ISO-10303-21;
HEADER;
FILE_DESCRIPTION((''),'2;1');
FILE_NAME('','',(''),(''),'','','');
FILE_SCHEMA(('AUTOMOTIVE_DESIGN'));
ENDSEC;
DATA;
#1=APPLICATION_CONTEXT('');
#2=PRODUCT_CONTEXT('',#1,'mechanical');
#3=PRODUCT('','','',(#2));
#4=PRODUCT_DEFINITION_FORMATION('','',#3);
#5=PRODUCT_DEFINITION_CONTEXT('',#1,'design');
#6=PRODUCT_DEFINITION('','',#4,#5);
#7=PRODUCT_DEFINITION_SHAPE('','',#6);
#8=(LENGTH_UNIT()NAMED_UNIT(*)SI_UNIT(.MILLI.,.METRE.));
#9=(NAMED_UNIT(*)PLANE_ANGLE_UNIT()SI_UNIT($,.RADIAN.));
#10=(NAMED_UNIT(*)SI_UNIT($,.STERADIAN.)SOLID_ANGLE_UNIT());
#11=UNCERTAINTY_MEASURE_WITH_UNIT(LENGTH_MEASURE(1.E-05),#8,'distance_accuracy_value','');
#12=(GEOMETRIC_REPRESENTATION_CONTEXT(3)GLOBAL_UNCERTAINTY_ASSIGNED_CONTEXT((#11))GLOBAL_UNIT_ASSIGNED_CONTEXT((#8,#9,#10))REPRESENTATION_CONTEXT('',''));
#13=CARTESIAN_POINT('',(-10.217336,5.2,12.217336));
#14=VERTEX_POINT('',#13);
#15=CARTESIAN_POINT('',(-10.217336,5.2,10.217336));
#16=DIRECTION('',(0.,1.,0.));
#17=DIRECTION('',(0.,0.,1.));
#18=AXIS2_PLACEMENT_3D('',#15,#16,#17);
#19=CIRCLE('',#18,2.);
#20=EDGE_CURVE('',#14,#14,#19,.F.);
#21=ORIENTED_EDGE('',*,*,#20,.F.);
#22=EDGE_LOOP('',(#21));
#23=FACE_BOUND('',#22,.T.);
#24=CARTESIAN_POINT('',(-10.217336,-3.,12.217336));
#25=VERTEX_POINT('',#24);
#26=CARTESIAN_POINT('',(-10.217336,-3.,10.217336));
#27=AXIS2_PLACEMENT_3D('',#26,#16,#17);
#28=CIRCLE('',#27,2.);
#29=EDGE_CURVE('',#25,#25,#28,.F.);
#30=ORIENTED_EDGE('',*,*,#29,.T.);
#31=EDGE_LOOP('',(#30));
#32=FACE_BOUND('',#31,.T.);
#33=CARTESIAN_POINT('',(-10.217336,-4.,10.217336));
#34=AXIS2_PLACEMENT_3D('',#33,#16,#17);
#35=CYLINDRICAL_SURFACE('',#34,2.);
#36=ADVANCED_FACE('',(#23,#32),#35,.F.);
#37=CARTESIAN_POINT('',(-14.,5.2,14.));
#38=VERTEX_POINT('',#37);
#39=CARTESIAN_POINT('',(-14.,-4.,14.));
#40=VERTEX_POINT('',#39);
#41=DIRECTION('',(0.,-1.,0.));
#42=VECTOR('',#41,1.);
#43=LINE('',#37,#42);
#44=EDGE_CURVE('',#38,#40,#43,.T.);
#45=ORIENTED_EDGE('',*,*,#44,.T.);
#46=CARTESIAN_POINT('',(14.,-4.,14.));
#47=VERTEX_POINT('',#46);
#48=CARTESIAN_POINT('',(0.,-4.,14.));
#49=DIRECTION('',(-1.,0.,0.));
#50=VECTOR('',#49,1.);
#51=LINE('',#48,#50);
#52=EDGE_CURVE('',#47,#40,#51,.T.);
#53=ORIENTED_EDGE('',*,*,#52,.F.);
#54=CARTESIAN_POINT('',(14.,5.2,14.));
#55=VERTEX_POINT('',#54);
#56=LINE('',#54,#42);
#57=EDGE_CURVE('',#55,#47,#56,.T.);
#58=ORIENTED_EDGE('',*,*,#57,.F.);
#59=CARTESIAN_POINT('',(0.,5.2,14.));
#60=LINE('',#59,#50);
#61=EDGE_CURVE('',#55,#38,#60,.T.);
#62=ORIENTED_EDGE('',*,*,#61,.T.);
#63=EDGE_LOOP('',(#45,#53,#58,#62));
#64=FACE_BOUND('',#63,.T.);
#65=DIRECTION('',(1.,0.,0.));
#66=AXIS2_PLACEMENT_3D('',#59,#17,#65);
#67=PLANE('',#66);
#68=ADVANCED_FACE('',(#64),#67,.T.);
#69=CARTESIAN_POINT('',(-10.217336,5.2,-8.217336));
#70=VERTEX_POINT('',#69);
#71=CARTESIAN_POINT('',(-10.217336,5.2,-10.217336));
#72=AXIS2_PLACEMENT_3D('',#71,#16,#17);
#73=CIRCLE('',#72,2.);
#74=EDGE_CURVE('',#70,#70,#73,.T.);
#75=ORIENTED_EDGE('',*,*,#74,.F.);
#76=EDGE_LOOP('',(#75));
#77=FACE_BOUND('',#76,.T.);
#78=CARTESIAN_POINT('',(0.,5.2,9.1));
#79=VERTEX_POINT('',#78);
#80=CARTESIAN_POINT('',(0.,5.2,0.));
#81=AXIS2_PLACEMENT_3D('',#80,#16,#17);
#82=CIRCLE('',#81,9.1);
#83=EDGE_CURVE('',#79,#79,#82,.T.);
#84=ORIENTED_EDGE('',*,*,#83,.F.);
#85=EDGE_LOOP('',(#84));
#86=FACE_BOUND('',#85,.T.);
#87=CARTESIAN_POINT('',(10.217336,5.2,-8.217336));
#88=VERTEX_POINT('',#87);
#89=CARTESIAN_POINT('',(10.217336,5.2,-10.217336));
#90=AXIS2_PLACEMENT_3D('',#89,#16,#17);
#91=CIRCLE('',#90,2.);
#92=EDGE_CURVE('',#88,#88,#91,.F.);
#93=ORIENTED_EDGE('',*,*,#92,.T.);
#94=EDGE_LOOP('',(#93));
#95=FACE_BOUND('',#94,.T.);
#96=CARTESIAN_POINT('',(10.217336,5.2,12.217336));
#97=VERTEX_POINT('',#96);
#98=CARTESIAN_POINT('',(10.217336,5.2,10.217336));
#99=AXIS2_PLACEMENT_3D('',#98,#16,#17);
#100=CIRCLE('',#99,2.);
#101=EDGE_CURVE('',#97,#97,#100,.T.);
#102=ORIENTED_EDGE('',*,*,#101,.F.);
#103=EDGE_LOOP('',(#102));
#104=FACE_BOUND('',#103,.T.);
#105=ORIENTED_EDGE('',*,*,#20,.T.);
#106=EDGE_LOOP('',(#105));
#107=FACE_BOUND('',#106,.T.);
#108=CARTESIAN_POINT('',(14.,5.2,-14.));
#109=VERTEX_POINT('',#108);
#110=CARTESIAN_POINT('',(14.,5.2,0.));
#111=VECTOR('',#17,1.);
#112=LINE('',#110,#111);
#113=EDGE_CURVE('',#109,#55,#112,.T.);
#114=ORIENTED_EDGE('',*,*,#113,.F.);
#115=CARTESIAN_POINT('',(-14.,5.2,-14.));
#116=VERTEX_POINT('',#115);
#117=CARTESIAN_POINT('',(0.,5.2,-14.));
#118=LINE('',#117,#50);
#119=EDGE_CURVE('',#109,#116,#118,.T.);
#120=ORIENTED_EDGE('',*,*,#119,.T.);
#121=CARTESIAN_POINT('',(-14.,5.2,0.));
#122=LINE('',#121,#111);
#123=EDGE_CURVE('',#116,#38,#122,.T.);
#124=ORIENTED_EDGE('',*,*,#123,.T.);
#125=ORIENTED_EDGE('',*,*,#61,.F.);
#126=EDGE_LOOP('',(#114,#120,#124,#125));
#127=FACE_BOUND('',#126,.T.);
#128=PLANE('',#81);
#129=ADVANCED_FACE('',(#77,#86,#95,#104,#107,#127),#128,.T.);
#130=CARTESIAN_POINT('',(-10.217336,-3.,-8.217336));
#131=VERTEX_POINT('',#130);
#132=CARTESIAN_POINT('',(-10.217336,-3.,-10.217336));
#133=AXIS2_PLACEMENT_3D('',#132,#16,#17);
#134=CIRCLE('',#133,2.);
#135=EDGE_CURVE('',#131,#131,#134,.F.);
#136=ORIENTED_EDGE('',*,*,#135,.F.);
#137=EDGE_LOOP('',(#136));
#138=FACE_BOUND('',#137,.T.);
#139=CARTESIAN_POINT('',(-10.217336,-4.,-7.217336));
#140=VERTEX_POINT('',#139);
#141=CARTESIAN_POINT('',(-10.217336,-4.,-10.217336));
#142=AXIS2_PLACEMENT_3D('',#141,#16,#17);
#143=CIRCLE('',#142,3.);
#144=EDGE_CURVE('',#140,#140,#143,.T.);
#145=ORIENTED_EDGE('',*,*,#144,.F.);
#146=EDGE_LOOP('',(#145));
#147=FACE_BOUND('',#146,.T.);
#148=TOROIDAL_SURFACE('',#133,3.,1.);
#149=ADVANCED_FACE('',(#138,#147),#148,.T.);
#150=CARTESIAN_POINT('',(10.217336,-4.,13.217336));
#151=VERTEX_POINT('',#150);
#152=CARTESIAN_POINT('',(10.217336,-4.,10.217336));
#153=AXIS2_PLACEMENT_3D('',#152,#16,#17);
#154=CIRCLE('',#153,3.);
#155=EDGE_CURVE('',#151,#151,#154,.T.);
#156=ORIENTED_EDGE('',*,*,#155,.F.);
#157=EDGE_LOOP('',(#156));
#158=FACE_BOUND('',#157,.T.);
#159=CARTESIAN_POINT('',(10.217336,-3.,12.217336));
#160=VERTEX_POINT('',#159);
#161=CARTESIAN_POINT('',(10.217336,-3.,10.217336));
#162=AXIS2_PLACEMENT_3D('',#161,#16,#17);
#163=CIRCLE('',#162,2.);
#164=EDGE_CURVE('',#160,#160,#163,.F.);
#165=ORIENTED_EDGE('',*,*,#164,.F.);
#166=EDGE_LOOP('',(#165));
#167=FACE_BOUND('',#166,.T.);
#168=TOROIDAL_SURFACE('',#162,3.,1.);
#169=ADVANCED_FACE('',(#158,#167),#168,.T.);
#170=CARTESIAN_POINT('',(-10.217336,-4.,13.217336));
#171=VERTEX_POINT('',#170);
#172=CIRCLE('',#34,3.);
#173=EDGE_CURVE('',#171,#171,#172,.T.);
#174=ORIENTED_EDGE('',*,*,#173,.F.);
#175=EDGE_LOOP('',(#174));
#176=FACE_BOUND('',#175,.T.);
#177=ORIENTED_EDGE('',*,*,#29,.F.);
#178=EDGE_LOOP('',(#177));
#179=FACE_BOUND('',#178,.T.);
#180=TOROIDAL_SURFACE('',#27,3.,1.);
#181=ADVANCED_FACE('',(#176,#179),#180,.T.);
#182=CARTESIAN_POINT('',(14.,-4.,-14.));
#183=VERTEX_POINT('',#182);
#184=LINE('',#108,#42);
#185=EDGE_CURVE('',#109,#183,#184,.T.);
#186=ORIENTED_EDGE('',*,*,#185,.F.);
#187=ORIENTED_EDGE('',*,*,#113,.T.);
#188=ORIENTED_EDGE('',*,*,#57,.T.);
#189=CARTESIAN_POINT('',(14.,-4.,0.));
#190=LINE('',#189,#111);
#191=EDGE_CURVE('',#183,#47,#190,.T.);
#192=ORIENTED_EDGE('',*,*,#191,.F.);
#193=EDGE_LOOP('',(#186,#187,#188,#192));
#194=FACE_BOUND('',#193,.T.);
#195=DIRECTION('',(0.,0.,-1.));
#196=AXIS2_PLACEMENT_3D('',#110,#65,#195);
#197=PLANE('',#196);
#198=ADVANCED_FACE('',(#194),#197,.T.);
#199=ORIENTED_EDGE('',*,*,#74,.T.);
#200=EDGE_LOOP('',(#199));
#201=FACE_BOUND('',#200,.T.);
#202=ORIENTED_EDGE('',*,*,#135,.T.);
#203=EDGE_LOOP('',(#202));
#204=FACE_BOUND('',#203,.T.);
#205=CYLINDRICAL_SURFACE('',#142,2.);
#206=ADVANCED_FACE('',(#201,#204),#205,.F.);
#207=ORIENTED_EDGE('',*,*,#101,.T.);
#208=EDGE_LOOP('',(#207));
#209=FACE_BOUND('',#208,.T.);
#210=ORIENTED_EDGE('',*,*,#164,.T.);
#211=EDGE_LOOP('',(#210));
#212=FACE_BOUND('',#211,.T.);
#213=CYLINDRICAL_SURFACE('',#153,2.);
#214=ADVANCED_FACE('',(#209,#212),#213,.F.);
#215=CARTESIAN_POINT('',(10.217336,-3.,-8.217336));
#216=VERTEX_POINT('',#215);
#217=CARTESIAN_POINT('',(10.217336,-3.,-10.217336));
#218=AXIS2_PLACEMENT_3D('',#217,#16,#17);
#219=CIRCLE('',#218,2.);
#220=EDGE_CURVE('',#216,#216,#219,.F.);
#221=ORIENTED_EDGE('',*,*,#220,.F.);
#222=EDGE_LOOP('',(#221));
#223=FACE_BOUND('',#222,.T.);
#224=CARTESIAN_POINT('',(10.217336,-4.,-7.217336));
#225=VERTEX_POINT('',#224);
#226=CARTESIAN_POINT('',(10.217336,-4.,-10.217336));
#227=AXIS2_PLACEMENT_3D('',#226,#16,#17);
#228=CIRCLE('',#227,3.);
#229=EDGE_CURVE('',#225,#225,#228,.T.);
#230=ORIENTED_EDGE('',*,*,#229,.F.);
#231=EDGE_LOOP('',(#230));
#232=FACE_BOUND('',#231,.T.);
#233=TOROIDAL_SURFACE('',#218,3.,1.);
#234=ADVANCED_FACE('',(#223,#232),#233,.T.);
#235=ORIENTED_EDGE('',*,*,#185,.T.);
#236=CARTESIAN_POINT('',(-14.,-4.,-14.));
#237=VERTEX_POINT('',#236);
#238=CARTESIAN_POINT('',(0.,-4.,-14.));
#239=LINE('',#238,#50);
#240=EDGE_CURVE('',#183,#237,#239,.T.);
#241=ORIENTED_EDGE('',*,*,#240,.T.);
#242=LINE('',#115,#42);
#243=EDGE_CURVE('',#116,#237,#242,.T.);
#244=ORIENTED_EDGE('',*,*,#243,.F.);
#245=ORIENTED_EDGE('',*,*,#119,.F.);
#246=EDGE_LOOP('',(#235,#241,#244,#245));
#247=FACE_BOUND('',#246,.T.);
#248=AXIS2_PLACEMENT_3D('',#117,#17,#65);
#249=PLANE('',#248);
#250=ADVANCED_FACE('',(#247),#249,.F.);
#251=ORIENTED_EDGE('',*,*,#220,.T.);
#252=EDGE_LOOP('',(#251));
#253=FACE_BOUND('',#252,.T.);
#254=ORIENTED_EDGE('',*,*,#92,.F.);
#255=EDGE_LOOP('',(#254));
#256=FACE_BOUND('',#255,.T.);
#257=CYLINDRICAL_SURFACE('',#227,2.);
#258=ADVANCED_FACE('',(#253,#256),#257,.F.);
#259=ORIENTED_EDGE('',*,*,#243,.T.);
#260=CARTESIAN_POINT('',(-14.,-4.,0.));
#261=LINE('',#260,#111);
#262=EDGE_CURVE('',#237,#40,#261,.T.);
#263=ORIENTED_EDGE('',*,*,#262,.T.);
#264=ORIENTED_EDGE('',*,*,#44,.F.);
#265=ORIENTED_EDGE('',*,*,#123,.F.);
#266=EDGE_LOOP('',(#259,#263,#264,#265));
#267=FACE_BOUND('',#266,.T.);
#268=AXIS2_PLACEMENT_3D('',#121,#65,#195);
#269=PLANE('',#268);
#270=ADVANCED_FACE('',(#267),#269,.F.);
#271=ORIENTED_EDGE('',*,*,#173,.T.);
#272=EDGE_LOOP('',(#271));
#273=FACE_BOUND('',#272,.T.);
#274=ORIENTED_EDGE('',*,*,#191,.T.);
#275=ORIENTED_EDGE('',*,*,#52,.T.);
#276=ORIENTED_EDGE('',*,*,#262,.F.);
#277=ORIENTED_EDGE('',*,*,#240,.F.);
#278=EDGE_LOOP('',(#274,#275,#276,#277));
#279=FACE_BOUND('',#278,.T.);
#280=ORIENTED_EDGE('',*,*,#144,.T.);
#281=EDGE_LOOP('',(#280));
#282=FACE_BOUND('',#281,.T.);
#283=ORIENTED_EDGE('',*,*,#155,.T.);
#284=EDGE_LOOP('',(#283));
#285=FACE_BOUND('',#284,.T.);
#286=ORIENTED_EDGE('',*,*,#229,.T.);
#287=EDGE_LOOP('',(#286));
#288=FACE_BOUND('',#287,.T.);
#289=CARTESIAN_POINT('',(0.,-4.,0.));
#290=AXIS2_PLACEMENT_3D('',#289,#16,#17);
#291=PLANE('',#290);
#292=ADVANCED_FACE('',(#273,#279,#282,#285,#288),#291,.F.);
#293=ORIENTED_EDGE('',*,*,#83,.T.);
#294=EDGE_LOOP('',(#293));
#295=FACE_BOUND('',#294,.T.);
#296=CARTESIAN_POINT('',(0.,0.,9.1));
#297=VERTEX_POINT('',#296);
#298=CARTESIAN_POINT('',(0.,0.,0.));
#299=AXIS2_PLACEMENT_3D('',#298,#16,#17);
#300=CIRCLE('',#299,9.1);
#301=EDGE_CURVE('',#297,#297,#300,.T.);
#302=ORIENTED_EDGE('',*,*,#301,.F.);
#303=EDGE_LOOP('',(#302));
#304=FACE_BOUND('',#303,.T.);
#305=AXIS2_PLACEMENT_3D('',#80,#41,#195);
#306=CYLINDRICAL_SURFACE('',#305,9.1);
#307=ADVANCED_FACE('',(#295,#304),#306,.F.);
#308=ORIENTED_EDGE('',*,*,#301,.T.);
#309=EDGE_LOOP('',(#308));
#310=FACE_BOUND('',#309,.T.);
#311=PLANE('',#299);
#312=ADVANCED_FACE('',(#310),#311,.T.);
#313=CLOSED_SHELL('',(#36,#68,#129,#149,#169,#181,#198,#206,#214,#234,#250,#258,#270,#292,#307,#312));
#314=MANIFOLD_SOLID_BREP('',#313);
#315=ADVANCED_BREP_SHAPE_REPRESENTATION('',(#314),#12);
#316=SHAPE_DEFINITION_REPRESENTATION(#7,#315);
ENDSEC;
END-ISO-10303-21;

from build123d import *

# Parameters (mm, degrees)
SKETCH2_W           = 28
SKETCH2_H           = 28
SKETCH2_R           = 9.1
BOSS_EXTRUDE1_DEPTH = 5.2
SKETCH2_4_W         = 28
SKETCH2_4_H         = 28
BOSS_EXTRUDE2_DEPTH = 4
SKETCH3_R           = 2
CUT_EXTRUDE1_DEPTH  = 22.832086478
FILLET1_R           = 1


with BuildPart() as part:
    # Sketch2 → Boss-Extrude1 (new body)
    with BuildSketch(Plane(origin=(0, 0, 0), x_dir=(1, 0, 0), z_dir=(0, 1, 0))):
        Rectangle(SKETCH2_W, SKETCH2_H)
        Circle(SKETCH2_R, mode=Mode.SUBTRACT)
    extrude(amount=BOSS_EXTRUDE1_DEPTH)

    # Sketch2<4> → Boss-Extrude2 (add)
    with BuildSketch(Plane(origin=(0, 0, 0), x_dir=(1, 0, 0), z_dir=(0, 1, 0))):
        Rectangle(SKETCH2_4_W, SKETCH2_4_H)
    extrude(amount=-BOSS_EXTRUDE2_DEPTH)

    # Sketch3 → Cut-Extrude1 (cut, through all)
    with BuildSketch(Plane(origin=(0, 5.2, 0), x_dir=(1, 0, 0), z_dir=(0, 1, 0))):
        with Locations((-10.217335854, 10.217335854)):
            Circle(SKETCH3_R)
        with Locations((-10.217335854, -10.217335854)):
            Circle(SKETCH3_R)
        with Locations((10.217335854, -10.217335854)):
            Circle(SKETCH3_R)
        with Locations((10.217335854, 10.217335854)):
            Circle(SKETCH3_R)
    extrude(amount=-CUT_EXTRUDE1_DEPTH, mode=Mode.SUBTRACT)

    # Fillet1
    fillet1_edges = [part.edges().sort_by_distance(p)[0] for p in [
        (8.217335854, -4, 10.217335854),
        (8.217335854, -4, -10.217335854),
        (-12.217335854, -4, 10.217335854),
        (-12.217335854, -4, -10.217335854),
    ]]
    fillet(fillet1_edges, radius=FILLET1_R)


solid = part.part
